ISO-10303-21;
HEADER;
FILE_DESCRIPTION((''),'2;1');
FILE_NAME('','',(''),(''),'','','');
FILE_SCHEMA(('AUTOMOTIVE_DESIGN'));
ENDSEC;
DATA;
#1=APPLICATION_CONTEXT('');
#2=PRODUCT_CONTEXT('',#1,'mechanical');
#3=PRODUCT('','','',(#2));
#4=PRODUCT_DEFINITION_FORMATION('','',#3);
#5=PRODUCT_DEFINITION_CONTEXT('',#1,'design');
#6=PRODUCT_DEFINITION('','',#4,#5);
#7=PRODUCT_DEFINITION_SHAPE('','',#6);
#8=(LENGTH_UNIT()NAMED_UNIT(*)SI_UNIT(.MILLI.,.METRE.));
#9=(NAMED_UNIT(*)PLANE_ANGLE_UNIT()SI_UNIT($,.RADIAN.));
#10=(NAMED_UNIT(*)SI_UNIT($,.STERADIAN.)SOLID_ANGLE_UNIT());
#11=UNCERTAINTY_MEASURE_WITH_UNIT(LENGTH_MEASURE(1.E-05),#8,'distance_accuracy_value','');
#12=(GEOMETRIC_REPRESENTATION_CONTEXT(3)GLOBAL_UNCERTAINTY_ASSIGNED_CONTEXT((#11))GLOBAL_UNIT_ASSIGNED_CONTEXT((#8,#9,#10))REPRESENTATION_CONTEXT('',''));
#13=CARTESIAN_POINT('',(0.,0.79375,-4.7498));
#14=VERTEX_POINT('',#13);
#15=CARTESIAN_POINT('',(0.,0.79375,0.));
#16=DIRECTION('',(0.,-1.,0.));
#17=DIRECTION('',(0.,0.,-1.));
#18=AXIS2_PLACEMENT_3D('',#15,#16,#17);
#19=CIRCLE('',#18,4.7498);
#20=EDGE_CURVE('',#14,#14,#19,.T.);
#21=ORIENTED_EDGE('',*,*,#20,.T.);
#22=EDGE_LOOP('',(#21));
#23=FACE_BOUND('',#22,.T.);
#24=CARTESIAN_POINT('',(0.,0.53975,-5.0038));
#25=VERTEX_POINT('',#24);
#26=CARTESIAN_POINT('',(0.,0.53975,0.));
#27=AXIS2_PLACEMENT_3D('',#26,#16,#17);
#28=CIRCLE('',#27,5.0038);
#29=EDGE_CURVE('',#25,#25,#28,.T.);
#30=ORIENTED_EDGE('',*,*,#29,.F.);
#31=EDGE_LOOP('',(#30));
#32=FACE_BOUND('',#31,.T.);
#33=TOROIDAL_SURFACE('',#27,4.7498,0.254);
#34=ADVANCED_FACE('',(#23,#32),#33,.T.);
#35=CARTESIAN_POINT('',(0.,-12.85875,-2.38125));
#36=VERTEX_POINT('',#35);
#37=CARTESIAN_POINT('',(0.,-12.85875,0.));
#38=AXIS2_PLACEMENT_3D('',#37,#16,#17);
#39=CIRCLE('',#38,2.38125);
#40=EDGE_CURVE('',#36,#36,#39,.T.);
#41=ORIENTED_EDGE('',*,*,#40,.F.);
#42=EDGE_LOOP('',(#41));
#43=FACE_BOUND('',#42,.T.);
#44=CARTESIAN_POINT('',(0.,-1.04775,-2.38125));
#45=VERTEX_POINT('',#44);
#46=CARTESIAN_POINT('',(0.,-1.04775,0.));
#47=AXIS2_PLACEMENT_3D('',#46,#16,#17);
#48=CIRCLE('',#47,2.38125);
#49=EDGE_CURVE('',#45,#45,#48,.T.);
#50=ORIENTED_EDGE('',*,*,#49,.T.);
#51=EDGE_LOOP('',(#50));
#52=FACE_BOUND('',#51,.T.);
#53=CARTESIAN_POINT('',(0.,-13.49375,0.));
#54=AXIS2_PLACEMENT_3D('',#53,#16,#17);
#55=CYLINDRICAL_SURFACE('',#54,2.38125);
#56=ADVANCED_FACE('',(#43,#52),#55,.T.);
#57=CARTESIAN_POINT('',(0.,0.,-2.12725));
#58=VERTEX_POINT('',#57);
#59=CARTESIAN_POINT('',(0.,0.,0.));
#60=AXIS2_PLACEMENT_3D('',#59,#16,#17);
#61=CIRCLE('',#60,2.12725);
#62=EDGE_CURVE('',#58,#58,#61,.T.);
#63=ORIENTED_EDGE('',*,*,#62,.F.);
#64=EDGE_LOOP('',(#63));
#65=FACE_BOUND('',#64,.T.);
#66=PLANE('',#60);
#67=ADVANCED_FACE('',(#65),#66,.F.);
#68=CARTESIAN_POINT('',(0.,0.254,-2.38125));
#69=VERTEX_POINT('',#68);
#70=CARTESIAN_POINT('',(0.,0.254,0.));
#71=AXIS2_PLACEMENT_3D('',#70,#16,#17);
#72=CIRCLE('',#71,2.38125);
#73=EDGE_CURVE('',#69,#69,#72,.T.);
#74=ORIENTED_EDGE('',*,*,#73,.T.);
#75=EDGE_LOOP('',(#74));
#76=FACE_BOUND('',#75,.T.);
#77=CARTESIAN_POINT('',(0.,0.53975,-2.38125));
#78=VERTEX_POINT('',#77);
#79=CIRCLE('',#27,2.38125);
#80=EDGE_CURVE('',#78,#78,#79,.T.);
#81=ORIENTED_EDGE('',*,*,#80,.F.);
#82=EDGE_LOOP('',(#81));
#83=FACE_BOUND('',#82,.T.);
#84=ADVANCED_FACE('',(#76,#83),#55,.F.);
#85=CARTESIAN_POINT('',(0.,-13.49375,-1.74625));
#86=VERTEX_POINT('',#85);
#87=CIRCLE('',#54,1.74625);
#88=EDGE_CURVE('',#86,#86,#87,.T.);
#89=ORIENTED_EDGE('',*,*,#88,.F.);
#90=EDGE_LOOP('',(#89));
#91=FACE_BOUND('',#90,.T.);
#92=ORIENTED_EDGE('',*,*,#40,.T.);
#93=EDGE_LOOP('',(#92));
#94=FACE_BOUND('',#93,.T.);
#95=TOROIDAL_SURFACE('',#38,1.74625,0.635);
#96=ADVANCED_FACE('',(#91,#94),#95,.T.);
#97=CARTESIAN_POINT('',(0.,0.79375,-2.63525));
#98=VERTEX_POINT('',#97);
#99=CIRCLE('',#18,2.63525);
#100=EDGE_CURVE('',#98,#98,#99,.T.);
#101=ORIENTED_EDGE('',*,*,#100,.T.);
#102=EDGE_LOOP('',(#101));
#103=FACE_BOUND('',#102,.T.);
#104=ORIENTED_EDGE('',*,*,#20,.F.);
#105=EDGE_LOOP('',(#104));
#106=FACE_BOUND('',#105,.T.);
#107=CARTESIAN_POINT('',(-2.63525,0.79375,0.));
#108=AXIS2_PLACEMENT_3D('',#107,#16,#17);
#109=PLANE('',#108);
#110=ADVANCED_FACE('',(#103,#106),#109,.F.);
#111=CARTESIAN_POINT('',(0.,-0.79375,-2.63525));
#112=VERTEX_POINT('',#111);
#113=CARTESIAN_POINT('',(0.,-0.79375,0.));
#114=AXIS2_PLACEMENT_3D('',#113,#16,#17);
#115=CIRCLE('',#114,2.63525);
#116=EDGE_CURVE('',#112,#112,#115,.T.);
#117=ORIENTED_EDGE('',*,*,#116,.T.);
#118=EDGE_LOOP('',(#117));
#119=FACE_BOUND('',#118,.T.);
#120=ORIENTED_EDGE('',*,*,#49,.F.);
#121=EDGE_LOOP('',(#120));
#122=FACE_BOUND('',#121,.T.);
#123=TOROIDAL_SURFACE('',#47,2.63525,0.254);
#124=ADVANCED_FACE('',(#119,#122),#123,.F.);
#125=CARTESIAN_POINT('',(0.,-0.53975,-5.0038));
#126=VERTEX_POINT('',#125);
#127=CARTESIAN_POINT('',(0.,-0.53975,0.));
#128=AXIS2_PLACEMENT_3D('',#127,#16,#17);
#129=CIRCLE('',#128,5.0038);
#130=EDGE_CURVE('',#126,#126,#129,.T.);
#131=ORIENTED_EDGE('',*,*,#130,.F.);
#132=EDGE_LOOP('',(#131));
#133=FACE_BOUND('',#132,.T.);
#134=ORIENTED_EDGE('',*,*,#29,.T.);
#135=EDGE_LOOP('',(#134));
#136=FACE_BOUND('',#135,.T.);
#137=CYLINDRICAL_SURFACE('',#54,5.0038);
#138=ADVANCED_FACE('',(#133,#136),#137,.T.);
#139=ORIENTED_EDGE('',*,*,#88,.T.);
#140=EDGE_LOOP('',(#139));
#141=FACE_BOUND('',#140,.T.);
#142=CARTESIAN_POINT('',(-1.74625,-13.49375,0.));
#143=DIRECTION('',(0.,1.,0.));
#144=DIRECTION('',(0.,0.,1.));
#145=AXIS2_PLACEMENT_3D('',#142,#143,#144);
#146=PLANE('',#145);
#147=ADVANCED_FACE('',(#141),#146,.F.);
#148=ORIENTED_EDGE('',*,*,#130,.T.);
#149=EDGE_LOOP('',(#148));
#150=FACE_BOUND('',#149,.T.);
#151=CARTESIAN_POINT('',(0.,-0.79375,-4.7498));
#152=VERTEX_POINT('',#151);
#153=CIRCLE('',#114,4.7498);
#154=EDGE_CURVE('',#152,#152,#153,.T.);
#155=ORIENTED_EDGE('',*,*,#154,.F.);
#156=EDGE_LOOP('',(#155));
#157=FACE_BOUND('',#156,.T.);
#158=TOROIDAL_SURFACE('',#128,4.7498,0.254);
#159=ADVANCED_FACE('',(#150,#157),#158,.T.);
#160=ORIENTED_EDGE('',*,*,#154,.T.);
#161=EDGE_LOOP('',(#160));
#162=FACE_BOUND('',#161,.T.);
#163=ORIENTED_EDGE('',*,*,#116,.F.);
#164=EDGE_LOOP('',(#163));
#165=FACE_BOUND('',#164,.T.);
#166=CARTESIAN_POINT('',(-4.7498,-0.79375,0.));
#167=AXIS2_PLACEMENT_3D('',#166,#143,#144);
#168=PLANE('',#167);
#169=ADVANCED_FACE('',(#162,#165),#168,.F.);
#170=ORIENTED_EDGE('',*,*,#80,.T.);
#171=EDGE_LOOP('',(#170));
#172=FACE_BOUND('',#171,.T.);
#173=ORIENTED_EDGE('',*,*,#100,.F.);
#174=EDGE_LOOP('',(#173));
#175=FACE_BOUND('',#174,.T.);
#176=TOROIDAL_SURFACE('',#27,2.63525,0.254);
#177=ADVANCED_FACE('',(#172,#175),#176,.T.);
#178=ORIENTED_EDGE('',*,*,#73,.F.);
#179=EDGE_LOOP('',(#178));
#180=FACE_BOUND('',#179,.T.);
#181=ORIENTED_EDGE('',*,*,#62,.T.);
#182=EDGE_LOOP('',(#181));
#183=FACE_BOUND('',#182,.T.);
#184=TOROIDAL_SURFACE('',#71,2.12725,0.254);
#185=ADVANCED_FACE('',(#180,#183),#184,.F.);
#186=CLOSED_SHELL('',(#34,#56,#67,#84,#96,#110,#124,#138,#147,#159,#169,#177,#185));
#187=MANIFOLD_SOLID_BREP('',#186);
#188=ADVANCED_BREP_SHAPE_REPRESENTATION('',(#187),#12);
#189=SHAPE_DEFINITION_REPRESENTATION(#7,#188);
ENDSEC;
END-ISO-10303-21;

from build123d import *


with BuildPart() as part:
    # Sketch1 → Revolve1 (revolve)
    with BuildSketch(Plane.XY):
        with BuildLine():
            Line((0, 0), (-2.12725, 0))
            ThreePointArc((-2.12725, 0), (-2.306855122, 0.074394878), (-2.38125, 0.254))
            Line((-2.38125, 0.254), (-2.38125, 0.53975))
            ThreePointArc((-2.38125, 0.53975), (-2.455644878, 0.719355122), (-2.63525, 0.79375))
            Line((-2.63525, 0.79375), (-4.7498, 0.79375))
            ThreePointArc((-4.7498, 0.79375), (-4.929405122, 0.719355122), (-5.0038, 0.53975))
            Line((-5.0038, 0.53975), (-5.0038, -0.53975))
            ThreePointArc((-5.0038, -0.53975), (-4.929405122, -0.719355122), (-4.7498, -0.79375))
            Line((-4.7498, -0.79375), (-2.63525, -0.79375))
            ThreePointArc((-2.63525, -0.79375), (-2.455644878, -0.868144878), (-2.38125, -1.04775))
            Line((-2.38125, -1.04775), (-2.38125, -12.85875))
            ThreePointArc((-2.38125, -12.85875), (-2.195262806, -13.307762806), (-1.74625, -13.49375))
            Line((-1.74625, -13.49375), (0, -13.49375))
            Line((0, -13.49375), (0, 0))
        make_face()
    revolve(axis=Axis((0, -13.49375, 0), (0, 1, 0)))


solid = part.part
